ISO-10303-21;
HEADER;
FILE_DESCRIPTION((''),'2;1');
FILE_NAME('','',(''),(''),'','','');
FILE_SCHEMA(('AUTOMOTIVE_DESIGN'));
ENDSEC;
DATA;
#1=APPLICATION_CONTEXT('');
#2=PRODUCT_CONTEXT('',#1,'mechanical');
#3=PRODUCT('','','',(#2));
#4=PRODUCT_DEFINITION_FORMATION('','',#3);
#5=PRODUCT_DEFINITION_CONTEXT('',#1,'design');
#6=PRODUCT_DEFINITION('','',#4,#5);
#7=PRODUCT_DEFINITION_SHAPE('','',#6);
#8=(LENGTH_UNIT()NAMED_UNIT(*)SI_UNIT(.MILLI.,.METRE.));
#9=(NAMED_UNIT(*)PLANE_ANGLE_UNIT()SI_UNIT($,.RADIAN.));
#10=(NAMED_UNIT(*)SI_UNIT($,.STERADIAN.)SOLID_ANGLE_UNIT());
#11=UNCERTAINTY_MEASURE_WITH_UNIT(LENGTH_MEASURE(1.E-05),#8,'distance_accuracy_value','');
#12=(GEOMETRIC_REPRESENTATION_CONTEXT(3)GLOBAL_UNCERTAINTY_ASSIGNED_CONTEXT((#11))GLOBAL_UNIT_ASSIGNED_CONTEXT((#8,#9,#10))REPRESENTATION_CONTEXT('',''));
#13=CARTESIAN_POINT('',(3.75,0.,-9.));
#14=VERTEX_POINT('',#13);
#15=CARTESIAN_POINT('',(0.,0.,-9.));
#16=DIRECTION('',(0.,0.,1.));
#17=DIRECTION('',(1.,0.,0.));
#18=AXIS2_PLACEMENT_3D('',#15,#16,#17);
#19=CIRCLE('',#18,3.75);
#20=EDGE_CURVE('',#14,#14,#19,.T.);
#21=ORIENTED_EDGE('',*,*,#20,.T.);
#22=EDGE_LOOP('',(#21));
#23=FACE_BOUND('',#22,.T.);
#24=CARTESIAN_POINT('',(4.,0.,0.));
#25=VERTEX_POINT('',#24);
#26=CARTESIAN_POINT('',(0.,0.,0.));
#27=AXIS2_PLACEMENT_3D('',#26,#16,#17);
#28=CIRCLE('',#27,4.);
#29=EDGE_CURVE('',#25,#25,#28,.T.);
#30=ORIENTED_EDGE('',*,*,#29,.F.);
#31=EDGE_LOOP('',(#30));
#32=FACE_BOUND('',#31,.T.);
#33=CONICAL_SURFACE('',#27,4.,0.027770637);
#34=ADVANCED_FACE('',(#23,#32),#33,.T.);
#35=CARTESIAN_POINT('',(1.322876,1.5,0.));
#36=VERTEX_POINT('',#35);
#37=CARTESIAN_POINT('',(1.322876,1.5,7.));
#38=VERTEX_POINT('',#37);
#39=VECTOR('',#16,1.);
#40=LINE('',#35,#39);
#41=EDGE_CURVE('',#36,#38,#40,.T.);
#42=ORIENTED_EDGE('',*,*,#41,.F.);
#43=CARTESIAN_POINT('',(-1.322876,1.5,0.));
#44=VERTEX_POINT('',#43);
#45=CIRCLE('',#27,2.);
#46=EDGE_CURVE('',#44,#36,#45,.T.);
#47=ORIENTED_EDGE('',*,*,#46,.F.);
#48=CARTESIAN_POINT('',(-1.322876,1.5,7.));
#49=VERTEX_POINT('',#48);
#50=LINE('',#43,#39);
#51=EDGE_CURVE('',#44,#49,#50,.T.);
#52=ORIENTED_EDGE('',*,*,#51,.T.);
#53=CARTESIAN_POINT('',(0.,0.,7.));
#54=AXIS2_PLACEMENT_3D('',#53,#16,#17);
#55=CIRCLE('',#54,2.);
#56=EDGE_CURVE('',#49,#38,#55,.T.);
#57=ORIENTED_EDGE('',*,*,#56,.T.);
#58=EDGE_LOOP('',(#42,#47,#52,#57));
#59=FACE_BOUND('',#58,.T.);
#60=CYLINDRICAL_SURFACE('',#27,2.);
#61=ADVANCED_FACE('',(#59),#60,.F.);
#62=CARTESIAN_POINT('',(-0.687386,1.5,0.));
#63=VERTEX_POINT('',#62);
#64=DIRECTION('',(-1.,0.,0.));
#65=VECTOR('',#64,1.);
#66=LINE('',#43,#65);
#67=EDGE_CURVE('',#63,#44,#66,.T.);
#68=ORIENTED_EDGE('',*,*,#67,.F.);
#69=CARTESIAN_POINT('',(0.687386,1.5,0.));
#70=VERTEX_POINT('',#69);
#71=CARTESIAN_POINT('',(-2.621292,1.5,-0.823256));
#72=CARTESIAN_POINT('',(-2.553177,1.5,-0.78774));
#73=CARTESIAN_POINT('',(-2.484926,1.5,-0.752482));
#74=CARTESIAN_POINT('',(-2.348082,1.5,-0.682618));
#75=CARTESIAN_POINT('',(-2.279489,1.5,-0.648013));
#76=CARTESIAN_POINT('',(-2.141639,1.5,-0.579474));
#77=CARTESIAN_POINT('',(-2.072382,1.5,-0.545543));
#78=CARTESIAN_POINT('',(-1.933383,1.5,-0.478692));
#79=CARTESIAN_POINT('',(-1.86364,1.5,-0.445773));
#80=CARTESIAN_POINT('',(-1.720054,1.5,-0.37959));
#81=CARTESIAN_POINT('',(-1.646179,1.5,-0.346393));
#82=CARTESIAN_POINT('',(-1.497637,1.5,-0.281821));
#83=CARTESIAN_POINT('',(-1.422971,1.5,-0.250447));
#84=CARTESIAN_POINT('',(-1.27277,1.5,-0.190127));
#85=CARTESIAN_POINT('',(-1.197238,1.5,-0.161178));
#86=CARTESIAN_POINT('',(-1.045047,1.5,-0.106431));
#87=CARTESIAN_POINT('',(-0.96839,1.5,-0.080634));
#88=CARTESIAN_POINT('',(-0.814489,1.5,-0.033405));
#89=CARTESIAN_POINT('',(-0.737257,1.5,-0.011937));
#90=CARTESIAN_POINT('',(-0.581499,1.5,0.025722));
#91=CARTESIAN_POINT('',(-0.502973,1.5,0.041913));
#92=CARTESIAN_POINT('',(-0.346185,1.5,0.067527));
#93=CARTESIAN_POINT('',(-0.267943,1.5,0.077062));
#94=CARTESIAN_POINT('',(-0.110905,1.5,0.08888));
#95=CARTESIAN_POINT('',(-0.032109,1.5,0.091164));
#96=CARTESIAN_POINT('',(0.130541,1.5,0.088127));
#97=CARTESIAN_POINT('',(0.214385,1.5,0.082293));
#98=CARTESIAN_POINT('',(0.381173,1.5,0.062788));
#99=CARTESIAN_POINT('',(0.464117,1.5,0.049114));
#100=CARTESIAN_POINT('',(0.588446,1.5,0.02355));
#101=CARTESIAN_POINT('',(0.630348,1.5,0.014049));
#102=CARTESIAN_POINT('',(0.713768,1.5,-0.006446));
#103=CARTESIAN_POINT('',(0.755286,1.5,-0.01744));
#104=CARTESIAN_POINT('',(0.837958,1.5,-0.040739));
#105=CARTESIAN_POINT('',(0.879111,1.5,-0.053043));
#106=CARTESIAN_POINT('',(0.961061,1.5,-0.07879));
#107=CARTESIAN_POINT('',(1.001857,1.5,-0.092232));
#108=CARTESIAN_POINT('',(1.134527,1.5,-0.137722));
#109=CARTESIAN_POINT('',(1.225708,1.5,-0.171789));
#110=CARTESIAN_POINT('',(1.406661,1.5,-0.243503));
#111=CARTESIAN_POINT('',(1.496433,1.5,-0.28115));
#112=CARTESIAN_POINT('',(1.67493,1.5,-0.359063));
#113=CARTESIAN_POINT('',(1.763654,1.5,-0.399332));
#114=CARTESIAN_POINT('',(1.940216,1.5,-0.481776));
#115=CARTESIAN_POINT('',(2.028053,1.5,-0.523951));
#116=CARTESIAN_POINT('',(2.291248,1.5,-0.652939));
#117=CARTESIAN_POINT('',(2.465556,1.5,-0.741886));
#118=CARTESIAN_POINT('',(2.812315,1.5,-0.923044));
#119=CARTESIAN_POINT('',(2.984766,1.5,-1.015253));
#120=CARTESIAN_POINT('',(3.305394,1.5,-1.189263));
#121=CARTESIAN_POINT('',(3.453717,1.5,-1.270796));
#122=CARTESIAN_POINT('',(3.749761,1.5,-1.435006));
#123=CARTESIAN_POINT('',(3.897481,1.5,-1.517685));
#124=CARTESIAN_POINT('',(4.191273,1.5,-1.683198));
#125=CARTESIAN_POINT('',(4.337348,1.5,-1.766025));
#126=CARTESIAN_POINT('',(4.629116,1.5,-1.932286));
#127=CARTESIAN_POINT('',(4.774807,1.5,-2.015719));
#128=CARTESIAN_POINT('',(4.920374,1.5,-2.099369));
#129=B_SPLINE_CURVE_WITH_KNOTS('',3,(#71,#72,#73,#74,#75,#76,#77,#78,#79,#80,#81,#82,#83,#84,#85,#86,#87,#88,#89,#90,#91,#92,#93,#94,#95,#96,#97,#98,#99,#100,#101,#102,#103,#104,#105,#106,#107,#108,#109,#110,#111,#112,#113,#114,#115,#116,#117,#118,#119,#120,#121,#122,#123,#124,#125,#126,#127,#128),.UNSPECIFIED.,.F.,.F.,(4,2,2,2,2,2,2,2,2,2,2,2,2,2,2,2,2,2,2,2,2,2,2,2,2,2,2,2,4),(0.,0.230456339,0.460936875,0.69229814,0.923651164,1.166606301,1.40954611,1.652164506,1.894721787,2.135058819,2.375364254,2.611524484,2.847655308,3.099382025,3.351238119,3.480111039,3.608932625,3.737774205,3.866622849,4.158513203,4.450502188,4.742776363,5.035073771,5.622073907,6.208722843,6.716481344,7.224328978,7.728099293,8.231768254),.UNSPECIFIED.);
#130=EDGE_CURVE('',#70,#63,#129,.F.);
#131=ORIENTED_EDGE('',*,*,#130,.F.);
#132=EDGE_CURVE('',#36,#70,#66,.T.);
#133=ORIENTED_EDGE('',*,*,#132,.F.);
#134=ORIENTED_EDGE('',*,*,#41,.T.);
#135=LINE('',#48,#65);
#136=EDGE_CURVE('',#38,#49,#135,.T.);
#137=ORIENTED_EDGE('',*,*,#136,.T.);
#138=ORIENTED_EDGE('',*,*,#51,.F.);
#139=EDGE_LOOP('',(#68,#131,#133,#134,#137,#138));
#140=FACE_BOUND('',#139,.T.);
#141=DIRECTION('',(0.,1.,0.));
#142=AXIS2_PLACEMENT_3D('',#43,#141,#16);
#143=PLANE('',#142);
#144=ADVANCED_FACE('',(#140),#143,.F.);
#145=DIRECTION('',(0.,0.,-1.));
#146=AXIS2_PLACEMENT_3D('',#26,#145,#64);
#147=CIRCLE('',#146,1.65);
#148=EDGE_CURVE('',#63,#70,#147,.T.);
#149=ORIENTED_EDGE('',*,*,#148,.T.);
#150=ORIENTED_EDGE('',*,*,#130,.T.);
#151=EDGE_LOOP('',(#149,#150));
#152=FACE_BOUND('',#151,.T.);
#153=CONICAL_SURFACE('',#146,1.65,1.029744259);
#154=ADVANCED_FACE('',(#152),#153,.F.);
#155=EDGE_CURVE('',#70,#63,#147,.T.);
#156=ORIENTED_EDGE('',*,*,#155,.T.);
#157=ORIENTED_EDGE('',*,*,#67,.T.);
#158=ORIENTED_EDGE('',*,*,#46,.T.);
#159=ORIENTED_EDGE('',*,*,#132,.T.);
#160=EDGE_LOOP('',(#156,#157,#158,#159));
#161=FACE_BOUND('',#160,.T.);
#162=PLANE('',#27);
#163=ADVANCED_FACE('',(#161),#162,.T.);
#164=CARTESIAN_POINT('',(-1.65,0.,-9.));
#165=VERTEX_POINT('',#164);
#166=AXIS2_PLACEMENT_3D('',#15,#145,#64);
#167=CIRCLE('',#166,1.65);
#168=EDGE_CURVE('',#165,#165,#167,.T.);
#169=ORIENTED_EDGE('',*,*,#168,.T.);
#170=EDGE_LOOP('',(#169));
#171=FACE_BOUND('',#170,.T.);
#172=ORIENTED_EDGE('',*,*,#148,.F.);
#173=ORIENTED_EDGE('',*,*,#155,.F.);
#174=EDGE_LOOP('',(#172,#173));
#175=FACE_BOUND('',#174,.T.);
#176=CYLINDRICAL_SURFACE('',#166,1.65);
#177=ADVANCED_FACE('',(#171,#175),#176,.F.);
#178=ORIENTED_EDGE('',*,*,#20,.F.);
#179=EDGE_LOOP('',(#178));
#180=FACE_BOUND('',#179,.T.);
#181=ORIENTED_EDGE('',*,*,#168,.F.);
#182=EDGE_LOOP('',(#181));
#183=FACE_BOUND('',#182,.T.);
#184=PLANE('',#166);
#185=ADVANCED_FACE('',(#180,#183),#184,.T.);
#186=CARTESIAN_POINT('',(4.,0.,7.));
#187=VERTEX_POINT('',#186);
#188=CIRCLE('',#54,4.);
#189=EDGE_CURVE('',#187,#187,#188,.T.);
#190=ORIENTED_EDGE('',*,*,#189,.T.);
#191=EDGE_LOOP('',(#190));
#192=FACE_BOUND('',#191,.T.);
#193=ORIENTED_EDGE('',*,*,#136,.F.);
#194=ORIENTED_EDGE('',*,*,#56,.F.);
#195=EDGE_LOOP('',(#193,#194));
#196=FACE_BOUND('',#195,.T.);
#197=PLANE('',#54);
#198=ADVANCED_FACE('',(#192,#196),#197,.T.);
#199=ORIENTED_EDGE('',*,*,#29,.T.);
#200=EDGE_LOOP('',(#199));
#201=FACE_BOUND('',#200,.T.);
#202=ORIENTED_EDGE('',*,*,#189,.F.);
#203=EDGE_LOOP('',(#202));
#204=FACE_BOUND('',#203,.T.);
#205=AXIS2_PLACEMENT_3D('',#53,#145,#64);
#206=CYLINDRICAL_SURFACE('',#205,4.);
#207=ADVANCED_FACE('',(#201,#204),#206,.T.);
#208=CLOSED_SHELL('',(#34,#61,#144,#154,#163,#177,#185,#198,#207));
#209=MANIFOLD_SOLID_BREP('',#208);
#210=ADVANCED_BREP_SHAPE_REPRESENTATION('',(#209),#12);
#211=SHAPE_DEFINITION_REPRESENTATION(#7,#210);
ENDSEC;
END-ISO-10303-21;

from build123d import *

# Parameters (mm, degrees)
SKETCH_6_R          = 4
EXTRUDE_2_DEPTH     = 7
M4X0_72_D           = 3.3
M4X0_72_DEPTH       = 9
M4X0_72_TIP         = 0.991420021
CUT_EXTRUDE_1_DEPTH = 7


with BuildPart() as part:
    # Эскиз1 → Повернуть1 (revolve)
    with BuildSketch(Plane(origin=(0, 0, 0), x_dir=(1, 0, 0), z_dir=(0, 1, 0))):
        Polygon((0, 9), (3.75, 9), (4, 0), (0, 0), align=None)
    revolve(axis=Axis((0, 0, 0), (0, 0, -1)))

    # Эскиз6 → Бобышка-Вытянуть2 (add)
    with BuildSketch(Plane.XY):
        Circle(SKETCH_6_R)
    extrude(amount=EXTRUDE_2_DEPTH)

    # Отверстие обработанное метчиком M4x0.72
    with Locations(Plane(origin=(0, 0, -9), x_dir=(-1, 0, 0), z_dir=(0, 0, -1))):
        with Locations((0, 0)):
            Hole(M4X0_72_D / 2, depth=M4X0_72_DEPTH)
            with Locations((0, 0, -(M4X0_72_DEPTH + M4X0_72_TIP / 2))):  # 118° drill point
                Cone(0, M4X0_72_D / 2, M4X0_72_TIP, mode=Mode.SUBTRACT)

    # Эскиз9 → Вырез-Вытянуть1 (cut)
    with BuildSketch(Plane.XY.offset(7)):
        with BuildLine():
            Line((-1.322875656, 1.5), (1.322875656, 1.5))
            ThreePointArc((1.322875656, 1.5), (0, -2), (-1.322875656, 1.5))
        make_face()
    extrude(amount=-CUT_EXTRUDE_1_DEPTH, mode=Mode.SUBTRACT)


solid = part.part
